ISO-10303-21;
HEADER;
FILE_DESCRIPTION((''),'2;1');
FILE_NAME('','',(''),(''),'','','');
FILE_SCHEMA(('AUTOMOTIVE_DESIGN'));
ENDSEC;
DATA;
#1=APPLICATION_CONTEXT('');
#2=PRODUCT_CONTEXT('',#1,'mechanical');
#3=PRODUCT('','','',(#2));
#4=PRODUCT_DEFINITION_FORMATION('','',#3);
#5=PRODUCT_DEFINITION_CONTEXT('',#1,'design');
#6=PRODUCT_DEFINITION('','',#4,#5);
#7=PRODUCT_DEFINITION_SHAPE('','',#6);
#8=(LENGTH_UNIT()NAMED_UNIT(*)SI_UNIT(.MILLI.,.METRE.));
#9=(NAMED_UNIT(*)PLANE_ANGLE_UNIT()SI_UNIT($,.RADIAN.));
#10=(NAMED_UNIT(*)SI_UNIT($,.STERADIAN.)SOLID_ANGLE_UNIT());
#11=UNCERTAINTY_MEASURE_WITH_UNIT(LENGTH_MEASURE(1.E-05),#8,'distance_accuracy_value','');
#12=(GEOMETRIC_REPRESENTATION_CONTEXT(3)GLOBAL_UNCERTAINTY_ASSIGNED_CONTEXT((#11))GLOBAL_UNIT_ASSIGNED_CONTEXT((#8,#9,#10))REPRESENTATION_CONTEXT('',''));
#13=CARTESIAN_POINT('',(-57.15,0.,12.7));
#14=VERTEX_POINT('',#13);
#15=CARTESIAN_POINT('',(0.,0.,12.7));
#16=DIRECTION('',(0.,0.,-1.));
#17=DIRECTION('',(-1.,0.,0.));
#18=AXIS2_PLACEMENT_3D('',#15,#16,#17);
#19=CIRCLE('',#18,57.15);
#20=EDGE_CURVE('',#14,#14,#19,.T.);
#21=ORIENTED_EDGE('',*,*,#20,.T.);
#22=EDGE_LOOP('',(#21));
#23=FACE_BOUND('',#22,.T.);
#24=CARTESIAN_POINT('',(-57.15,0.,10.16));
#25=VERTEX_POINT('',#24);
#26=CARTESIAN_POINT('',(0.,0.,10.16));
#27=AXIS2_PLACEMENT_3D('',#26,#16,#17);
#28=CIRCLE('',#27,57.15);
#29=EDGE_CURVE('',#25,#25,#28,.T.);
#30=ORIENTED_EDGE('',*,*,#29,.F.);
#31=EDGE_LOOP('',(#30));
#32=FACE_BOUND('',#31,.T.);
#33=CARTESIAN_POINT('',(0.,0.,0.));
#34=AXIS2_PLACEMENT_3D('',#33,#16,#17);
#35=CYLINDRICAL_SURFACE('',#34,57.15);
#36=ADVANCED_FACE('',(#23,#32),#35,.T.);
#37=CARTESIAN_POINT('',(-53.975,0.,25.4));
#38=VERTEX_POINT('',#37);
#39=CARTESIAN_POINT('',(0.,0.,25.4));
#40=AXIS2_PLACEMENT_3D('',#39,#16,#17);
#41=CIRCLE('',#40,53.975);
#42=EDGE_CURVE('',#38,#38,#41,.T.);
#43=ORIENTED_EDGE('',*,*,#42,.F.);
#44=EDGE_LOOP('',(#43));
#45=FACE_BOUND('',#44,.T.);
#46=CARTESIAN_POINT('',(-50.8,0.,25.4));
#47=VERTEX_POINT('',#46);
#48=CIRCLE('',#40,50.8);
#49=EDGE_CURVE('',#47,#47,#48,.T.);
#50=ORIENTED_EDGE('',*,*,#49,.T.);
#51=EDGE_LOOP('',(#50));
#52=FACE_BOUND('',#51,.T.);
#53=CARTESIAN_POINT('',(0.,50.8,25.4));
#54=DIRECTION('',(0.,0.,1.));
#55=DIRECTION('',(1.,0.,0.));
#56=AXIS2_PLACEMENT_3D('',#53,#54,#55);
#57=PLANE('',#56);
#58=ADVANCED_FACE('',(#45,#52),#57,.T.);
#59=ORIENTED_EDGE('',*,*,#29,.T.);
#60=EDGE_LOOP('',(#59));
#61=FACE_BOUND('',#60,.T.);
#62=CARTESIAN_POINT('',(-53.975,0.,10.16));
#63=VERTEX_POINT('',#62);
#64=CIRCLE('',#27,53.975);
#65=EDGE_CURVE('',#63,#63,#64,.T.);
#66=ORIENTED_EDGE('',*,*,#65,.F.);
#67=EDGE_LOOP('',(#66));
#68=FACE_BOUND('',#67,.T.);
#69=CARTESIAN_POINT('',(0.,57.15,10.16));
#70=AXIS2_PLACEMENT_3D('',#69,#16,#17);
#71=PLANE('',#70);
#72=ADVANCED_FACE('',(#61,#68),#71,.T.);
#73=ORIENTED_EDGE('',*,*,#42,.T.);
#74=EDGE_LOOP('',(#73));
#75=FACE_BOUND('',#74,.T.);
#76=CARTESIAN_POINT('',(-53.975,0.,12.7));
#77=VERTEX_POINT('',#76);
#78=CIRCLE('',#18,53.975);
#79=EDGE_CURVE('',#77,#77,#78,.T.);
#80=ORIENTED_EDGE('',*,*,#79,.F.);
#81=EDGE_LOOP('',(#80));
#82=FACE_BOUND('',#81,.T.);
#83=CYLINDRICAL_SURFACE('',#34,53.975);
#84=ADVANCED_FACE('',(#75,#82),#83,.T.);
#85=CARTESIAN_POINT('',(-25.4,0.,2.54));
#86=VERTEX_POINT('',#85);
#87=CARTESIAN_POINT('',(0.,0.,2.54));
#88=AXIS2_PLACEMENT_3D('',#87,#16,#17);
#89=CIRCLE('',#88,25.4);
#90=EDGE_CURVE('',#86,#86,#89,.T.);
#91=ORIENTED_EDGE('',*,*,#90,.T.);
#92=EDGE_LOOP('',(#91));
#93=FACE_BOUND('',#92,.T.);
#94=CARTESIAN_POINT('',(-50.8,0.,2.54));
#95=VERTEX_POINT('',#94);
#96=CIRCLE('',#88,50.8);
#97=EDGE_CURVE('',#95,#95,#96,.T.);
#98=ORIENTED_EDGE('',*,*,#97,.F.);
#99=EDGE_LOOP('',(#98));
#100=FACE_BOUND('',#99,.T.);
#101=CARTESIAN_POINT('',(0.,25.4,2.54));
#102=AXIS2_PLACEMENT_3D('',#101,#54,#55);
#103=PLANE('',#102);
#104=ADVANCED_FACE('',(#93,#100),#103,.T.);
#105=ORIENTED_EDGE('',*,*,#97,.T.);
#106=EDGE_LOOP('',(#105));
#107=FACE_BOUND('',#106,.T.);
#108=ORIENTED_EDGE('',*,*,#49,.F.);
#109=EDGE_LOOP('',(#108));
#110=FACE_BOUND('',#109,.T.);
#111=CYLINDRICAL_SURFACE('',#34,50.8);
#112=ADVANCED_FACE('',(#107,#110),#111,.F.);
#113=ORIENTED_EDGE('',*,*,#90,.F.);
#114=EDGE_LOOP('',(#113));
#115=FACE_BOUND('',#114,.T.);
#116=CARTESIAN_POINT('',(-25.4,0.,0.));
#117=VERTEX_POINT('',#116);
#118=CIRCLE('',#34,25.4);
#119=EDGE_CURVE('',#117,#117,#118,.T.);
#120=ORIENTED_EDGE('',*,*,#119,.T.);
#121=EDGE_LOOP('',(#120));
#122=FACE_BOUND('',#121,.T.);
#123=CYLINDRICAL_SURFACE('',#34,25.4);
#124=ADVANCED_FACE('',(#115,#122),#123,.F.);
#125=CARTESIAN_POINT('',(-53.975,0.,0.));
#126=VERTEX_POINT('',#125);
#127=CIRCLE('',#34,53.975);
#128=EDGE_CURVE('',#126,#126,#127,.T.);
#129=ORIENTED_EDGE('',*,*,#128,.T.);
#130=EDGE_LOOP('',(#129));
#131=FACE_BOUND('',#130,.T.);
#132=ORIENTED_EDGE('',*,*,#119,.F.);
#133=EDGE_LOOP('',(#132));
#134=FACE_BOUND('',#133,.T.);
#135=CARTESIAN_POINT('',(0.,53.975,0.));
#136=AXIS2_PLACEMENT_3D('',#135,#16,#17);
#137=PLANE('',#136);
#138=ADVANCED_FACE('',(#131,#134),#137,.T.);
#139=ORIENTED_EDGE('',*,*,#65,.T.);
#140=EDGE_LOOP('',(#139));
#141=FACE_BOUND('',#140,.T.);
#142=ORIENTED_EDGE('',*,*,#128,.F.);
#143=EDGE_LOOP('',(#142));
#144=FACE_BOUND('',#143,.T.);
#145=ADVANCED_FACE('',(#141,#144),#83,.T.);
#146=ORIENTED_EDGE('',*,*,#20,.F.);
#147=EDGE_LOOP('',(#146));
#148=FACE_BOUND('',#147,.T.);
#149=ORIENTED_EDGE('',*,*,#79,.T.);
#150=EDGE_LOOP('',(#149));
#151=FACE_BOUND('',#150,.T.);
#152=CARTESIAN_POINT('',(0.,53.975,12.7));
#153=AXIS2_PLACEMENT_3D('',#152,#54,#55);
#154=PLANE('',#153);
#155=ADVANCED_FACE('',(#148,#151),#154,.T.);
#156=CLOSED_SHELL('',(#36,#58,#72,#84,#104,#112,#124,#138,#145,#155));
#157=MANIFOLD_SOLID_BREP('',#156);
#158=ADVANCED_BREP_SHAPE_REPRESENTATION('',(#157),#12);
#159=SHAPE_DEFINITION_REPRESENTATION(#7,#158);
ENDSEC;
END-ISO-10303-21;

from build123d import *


with BuildPart() as part:
    # Sketch6 → Revolve1 (revolve)
    with BuildSketch(Plane(origin=(0, 0, 0), x_dir=(0, 0, -1), z_dir=(1, 0, 0)), mode=Mode.PRIVATE) as revolve1_sk:
        Polygon((0, 25.4), (-2.54, 25.4), (-2.54, 50.8), (-25.4, 50.8), (-25.4, 53.975), (-12.7, 53.975), (-12.7, 57.15), (-10.16, 57.15), (-10.16, 53.975), (0, 53.975), align=None)
    revolve(revolve1_sk.sketch.rotate(Axis((0, 0, 0), (0, 0, 1)), 90), axis=Axis((0, 0, 0), (0, 0, 1)))


solid = part.part
